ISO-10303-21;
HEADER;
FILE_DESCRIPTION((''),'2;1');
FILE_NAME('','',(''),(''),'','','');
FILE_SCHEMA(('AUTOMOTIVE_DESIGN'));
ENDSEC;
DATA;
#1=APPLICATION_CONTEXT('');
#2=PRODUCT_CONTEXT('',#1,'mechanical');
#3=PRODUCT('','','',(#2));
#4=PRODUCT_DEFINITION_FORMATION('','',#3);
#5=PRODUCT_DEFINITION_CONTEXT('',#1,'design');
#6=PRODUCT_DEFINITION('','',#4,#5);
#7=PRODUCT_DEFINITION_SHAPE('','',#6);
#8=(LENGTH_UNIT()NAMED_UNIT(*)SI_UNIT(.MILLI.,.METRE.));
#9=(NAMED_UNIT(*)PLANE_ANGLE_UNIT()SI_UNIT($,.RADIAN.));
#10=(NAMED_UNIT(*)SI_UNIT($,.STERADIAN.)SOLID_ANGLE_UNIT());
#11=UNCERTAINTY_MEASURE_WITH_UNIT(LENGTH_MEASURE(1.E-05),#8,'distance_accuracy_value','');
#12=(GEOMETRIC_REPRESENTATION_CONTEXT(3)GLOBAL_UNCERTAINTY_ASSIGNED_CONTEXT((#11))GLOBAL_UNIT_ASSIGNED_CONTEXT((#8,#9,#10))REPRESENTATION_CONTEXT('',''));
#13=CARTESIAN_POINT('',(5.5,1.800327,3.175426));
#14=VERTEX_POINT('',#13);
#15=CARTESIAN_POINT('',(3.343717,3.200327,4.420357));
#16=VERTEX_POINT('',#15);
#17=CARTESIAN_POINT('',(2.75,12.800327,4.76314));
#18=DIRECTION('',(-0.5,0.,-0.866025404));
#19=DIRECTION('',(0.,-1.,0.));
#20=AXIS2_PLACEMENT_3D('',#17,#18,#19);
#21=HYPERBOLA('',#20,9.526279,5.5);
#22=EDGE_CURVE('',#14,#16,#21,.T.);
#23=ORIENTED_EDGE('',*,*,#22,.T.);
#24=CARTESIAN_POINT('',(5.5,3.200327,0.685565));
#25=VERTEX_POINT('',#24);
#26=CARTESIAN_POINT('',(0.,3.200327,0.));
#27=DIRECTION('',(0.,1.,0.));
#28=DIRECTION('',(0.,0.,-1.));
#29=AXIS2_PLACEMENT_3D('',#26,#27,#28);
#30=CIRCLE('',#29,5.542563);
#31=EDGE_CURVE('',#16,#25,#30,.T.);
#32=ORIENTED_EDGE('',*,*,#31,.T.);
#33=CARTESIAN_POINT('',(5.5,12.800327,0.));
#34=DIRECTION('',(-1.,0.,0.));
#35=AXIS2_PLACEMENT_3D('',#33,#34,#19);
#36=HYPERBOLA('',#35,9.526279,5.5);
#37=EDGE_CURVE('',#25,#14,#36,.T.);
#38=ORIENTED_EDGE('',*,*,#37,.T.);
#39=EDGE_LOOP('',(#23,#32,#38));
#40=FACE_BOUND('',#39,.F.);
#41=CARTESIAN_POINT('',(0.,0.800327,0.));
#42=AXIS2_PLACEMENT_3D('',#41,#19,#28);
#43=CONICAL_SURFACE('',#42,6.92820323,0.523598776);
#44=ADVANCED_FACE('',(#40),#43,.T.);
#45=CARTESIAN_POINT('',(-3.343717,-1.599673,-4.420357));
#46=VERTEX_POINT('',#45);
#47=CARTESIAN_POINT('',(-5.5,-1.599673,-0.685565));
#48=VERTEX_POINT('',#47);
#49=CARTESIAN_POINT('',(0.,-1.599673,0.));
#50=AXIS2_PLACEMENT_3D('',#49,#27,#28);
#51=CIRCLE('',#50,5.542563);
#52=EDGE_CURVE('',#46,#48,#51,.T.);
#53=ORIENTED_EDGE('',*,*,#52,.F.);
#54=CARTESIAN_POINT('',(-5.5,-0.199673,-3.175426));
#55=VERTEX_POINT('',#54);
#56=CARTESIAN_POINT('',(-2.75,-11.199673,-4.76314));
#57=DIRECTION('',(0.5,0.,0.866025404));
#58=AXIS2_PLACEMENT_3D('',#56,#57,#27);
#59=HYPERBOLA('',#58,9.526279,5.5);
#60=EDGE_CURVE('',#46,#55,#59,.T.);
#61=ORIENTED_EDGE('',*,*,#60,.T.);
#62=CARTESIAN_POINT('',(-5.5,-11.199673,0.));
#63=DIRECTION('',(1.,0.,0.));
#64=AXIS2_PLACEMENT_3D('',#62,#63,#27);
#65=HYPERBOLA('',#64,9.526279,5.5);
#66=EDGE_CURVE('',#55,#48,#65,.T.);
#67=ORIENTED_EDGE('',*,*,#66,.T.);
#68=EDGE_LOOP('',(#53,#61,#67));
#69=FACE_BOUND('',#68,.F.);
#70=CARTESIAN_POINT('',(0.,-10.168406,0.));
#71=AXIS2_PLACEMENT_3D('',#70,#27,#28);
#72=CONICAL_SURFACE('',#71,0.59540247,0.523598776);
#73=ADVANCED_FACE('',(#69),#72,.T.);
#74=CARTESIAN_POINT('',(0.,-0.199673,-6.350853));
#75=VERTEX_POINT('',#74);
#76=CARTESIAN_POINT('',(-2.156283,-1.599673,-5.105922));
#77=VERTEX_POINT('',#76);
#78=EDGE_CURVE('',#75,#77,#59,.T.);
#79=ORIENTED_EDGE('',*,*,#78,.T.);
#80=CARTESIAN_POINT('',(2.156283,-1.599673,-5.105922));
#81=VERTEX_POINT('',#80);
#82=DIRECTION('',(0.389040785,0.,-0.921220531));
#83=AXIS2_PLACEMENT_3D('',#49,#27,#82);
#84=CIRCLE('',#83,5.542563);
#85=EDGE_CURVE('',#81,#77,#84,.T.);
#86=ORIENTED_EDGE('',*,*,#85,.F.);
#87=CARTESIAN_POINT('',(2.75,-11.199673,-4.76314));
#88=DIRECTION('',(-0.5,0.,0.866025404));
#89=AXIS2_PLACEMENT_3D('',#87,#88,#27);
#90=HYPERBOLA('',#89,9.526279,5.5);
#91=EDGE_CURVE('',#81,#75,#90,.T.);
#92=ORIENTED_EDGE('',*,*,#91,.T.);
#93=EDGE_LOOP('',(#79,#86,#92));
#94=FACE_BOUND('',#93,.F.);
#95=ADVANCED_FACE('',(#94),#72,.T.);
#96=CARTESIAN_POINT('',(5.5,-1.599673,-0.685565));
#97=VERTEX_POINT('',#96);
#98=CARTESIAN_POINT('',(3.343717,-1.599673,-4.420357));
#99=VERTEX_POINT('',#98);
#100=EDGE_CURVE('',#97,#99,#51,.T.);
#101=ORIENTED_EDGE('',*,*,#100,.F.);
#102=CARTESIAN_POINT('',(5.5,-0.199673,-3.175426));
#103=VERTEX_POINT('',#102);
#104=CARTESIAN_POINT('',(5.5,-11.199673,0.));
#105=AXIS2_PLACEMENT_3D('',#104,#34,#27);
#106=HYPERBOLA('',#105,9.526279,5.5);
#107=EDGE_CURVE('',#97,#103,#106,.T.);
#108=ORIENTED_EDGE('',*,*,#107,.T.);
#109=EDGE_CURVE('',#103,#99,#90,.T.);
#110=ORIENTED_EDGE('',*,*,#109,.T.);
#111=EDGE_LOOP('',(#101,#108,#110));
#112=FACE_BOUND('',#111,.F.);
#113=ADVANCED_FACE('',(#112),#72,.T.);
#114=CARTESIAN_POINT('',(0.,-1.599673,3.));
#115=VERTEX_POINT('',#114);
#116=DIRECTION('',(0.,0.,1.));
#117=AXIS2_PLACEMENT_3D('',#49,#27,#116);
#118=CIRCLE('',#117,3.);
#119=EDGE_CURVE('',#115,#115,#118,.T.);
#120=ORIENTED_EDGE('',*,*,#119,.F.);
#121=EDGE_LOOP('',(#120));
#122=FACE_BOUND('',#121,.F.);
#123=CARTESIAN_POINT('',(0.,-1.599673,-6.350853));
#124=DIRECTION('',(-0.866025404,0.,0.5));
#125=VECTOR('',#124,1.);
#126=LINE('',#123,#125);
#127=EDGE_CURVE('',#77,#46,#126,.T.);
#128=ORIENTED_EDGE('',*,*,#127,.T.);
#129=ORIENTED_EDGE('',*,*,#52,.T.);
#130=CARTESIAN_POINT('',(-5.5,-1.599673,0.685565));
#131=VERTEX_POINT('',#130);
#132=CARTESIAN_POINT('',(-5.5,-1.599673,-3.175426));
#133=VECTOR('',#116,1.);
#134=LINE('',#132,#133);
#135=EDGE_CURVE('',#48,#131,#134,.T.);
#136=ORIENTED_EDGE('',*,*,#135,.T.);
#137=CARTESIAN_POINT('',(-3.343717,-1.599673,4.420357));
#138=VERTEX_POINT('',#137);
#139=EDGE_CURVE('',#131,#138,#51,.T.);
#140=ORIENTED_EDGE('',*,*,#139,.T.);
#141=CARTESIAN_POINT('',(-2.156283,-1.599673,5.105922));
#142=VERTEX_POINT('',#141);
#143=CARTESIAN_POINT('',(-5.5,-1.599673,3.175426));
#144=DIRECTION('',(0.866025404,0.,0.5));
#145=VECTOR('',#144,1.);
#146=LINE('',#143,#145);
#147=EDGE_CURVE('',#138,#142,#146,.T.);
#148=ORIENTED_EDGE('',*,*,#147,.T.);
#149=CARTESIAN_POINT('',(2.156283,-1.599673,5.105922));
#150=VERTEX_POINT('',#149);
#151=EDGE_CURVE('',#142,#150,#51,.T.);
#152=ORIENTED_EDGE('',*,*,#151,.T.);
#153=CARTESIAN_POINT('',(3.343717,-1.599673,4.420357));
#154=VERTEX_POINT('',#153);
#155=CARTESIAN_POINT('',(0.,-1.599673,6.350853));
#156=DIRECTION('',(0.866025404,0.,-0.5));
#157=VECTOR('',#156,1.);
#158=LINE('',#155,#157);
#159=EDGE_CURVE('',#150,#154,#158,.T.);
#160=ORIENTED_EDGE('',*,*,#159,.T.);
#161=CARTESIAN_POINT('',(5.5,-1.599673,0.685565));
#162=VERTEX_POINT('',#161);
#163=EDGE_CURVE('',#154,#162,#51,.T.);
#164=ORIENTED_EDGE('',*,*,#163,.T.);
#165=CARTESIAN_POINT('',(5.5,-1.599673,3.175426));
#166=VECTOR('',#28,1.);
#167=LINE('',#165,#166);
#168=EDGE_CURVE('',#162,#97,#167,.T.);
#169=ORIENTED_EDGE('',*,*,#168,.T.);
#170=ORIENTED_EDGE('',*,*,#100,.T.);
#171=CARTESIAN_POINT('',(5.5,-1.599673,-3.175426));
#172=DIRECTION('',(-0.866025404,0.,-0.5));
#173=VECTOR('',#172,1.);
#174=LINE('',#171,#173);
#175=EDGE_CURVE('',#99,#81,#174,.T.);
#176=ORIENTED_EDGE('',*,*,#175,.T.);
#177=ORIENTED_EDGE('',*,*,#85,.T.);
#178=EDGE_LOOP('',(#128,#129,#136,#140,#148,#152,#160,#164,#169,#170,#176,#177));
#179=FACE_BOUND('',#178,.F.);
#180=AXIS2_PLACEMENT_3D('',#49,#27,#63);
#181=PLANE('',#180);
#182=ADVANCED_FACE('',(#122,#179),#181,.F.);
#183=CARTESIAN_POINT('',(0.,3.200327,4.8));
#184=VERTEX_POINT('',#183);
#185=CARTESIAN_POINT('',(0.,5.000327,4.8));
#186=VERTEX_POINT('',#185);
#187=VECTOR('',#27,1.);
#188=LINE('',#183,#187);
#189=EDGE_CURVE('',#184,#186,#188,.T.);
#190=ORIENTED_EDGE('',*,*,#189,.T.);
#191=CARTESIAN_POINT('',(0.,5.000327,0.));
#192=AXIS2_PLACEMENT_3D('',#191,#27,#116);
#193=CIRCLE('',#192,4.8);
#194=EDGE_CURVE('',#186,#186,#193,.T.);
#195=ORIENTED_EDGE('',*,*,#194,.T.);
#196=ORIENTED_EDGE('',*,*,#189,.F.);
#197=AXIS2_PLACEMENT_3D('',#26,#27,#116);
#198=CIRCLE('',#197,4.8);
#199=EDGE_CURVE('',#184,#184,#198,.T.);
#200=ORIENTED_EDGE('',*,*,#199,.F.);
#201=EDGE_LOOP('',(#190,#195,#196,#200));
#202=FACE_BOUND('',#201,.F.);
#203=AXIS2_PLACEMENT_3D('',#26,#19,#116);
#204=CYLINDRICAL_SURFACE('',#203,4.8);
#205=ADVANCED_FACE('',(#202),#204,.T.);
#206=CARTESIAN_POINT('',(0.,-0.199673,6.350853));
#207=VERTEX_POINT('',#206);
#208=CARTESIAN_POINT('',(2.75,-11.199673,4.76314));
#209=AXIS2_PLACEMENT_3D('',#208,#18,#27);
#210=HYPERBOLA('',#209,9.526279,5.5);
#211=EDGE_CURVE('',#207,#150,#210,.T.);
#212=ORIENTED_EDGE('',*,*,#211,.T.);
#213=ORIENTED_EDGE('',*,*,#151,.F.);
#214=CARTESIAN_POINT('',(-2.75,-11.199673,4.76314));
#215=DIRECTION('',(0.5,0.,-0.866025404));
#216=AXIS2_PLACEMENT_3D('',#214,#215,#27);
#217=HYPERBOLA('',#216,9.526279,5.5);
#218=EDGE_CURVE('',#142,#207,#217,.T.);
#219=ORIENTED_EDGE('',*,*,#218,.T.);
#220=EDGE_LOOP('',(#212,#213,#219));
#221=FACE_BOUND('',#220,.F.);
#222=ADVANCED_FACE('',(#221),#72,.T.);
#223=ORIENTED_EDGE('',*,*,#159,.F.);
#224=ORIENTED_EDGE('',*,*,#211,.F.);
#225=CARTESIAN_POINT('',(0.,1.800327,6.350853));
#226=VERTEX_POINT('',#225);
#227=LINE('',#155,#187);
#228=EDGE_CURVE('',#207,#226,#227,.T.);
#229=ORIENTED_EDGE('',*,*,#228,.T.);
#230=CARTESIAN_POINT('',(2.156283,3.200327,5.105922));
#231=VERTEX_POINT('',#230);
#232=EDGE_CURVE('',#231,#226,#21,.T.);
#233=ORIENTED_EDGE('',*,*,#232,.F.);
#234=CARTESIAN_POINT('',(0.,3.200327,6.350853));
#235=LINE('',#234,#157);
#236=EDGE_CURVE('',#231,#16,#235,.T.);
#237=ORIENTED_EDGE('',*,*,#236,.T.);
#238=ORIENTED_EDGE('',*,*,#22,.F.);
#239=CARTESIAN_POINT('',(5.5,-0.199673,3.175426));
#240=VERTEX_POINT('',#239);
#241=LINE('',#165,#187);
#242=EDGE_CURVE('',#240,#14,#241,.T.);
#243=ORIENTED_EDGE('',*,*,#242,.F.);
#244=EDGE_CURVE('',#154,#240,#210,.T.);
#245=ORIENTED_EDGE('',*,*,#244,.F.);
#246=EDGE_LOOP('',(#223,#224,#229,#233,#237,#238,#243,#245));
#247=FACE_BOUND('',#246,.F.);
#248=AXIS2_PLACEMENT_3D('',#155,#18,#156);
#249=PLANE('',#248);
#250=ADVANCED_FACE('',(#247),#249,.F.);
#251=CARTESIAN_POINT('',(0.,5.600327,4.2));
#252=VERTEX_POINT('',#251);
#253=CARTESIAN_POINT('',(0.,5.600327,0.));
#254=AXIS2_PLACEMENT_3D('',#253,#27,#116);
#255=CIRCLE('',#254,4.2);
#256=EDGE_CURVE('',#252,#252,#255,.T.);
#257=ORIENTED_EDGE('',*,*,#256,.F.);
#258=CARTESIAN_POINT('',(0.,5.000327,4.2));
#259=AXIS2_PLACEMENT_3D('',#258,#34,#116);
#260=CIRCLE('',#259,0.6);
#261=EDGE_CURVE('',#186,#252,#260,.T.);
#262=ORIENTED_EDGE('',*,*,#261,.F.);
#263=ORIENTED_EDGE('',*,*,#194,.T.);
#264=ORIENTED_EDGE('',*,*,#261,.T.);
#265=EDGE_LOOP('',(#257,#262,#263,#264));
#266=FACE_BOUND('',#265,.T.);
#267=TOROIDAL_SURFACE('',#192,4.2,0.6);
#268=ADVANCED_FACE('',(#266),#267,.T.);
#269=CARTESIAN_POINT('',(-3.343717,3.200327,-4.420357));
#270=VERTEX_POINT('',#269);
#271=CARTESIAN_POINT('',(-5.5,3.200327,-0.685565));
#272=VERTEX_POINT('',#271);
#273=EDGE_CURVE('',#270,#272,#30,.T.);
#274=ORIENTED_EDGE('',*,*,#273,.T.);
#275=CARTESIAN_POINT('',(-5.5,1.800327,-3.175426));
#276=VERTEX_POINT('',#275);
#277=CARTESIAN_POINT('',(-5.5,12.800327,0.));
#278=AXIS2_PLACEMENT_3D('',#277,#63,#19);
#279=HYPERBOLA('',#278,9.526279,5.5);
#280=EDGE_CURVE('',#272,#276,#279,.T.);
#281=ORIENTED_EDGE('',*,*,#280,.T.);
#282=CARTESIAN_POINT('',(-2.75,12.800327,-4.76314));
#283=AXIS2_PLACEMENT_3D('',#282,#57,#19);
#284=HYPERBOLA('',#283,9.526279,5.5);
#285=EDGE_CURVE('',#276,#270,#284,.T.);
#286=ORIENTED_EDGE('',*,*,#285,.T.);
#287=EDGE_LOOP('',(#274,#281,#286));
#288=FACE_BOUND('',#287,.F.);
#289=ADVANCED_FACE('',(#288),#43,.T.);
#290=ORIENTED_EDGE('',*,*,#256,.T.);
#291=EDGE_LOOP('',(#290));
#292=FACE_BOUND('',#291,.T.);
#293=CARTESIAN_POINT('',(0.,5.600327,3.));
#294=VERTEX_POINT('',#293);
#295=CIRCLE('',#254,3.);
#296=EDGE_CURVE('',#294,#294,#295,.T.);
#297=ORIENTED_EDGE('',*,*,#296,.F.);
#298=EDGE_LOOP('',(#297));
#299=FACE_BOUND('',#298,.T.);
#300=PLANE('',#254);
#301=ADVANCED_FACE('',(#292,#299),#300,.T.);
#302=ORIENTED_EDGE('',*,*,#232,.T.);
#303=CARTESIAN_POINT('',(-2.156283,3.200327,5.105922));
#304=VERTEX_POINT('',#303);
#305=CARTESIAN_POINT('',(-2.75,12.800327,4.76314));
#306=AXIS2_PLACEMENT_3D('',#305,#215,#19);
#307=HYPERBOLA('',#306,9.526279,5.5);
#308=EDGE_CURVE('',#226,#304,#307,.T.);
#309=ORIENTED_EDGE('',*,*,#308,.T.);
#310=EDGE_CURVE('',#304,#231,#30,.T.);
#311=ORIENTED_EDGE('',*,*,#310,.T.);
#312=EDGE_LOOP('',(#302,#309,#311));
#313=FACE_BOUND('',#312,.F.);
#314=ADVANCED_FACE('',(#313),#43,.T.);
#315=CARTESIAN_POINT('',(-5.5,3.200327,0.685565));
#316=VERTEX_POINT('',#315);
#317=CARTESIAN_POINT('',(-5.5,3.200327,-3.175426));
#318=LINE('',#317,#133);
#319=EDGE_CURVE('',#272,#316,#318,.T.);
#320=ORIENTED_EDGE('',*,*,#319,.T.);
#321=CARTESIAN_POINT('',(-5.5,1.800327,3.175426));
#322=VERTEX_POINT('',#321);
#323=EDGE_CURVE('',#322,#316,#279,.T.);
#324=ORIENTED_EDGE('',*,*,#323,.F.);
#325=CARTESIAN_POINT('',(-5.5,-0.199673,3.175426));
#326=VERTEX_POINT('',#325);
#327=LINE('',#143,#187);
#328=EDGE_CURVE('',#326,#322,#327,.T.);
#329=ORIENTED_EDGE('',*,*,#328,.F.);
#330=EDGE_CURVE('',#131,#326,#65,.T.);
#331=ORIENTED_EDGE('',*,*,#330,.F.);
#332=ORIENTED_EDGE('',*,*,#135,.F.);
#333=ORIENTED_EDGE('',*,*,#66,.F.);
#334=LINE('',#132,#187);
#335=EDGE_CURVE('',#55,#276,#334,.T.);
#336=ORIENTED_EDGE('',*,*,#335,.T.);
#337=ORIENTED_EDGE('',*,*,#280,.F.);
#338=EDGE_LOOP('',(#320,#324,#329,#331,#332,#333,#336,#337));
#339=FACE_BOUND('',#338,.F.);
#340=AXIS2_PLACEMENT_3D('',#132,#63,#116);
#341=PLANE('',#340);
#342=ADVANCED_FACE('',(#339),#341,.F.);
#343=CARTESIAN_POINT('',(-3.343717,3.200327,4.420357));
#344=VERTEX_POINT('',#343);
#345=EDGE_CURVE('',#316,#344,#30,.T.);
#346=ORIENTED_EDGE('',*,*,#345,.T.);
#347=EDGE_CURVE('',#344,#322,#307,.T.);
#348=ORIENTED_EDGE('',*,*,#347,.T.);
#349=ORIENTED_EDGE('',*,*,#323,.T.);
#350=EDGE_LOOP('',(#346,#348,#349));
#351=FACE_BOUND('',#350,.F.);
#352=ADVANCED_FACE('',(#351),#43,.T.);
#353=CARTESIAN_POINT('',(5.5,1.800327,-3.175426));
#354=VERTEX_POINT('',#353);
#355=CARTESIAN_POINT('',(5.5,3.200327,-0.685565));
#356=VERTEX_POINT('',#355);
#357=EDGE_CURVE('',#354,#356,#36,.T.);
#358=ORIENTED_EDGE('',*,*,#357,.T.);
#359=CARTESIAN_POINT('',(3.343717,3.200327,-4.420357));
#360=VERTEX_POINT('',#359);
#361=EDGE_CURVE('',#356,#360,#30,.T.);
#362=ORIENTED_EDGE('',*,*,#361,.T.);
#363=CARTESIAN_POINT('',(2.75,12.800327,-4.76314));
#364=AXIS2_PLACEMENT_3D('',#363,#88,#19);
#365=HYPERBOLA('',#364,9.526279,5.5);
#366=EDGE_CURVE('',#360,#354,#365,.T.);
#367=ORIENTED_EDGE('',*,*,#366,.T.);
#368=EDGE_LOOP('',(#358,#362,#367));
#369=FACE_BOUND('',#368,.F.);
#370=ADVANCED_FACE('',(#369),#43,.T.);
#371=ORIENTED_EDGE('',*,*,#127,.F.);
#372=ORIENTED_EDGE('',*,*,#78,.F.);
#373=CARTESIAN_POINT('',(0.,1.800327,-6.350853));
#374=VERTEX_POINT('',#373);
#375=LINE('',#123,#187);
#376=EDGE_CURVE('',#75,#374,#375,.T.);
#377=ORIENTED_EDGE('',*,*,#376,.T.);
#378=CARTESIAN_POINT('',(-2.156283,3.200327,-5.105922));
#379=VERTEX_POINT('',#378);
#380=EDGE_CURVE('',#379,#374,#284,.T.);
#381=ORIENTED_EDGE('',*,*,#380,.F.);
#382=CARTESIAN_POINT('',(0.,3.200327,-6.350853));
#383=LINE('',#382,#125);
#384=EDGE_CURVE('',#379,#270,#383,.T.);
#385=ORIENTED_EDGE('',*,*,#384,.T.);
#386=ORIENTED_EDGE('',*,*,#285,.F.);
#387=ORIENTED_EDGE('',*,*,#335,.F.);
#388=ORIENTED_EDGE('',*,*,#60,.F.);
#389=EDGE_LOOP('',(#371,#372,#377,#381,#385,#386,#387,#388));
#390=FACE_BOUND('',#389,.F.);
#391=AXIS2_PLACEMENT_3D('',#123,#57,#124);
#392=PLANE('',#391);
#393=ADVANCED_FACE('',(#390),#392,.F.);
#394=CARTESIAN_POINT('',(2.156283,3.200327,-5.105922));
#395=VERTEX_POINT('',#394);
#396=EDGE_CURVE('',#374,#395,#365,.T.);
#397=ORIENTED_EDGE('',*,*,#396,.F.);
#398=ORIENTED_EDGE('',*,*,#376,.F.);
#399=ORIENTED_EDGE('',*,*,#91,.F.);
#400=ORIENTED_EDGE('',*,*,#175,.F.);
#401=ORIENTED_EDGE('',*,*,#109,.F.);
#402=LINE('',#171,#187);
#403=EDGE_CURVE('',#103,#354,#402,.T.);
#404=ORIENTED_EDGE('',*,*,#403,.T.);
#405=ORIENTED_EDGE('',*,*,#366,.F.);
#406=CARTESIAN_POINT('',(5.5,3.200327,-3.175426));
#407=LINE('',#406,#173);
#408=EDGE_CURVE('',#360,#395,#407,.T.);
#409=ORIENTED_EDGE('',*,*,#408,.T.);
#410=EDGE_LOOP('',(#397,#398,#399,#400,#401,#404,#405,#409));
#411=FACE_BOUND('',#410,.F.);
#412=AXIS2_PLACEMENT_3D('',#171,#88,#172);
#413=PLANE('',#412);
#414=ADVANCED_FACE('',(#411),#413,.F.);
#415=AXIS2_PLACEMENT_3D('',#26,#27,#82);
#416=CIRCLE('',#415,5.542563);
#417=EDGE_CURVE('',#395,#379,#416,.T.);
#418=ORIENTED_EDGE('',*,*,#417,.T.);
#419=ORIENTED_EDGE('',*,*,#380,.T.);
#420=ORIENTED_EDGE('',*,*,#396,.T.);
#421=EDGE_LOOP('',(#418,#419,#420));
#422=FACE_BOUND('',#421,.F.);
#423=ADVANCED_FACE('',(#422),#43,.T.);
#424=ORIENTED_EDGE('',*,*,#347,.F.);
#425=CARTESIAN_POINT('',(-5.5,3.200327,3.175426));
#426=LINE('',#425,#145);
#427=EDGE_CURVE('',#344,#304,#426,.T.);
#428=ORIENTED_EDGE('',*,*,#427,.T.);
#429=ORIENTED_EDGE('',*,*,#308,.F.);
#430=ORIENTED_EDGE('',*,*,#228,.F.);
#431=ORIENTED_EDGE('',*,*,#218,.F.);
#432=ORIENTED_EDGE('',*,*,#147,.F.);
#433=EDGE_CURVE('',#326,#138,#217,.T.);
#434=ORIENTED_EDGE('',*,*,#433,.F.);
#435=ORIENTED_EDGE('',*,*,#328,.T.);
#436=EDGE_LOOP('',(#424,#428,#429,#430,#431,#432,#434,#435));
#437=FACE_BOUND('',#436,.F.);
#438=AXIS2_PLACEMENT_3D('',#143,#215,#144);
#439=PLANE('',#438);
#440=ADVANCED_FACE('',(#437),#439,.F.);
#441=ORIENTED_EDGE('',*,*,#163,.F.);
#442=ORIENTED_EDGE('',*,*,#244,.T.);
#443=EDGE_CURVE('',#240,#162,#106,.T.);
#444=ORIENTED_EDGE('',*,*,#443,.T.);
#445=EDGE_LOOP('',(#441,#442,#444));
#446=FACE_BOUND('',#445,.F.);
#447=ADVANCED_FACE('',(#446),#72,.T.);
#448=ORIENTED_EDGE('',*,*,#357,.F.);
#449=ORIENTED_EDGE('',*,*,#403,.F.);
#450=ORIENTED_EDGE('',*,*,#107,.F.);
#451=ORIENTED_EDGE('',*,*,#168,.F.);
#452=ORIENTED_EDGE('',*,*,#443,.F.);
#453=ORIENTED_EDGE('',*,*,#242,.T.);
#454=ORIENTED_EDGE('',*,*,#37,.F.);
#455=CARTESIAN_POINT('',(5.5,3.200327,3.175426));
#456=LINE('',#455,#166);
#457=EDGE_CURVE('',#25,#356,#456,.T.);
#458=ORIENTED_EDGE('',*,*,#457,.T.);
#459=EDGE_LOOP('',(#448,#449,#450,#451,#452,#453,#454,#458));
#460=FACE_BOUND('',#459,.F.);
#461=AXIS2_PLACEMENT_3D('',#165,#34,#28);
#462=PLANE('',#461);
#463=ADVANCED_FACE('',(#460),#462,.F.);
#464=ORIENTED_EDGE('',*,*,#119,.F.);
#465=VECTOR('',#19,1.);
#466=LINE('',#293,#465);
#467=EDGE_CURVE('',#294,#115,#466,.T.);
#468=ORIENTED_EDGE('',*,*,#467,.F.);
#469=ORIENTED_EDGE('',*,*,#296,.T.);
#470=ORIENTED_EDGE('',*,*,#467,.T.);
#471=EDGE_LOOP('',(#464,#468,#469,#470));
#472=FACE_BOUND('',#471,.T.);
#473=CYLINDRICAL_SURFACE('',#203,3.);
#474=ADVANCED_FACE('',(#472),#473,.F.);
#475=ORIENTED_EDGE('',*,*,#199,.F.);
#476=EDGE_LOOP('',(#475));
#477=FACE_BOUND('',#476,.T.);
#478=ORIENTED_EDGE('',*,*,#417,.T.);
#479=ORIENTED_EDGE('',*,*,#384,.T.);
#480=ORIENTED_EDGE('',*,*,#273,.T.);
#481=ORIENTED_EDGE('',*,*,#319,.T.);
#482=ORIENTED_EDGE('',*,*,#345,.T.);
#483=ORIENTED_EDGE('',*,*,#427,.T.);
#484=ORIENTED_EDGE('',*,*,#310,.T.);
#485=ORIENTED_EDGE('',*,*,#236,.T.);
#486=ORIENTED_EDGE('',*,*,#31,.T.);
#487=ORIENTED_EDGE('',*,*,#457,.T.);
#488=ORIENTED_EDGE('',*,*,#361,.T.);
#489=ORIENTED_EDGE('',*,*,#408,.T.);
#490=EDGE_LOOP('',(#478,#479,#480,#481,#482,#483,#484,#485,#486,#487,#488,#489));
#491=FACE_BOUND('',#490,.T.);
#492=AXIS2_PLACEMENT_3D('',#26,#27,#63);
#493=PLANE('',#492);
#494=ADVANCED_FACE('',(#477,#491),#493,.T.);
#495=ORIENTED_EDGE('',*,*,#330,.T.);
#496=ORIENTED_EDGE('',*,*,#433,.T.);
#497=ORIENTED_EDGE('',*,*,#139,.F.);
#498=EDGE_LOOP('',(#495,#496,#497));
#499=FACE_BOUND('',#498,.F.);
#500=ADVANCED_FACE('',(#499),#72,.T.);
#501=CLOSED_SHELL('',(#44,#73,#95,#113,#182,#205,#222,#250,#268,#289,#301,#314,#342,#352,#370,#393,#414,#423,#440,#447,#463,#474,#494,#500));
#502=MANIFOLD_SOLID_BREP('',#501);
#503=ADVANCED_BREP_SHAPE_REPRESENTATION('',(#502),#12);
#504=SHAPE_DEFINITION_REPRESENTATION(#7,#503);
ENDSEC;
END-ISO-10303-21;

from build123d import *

# Parameters (mm, degrees)
SKETCH_1_R      = 1.5
EXTRUDE_1_DEPTH = 2.4
SKETCH_4_R      = 2.4
SKETCH_4_R_2    = 1.5
EXTRUDE_3_DEPTH = 1.2
FILLET_5_R      = 0.3
SCALE_1_SCALE   = 2


with BuildPart() as part:
    # 草图1 → 凸台-拉伸1 (new body)
    with BuildSketch(Plane(origin=(0, 0, 0), x_dir=(1, 0, 0), z_dir=(0, 1, 0))):
        Polygon((0, 3.175426481), (-2.75, 1.58771324), (-2.75, -1.58771324), (0, -3.175426481), (2.75, -1.58771324), (2.75, 1.58771324), align=None)
        with Locations(Location((0, 0, 0), (0, 0, 270))):
            Circle(SKETCH_1_R, mode=Mode.SUBTRACT)
    extrude(amount=EXTRUDE_1_DEPTH)

    # 草图3 → 切除-旋转7 (revolve, cut)
    with BuildSketch(Plane(origin=(0, 0, 0), x_dir=(0, 0, -1), z_dir=(1, 0, 0))):
        Polygon((0.384303775, 7.2), (4.083483307, 7.2), (4.083483307, -4.8), (0.297701235, -4.8), (0.297701235, -4.284366336), (3.464101615, 1.2), (0.384303775, 6.534366336), align=None)
    revolve(axis=Axis((0, 2.4, 0), (0, -1, 0)), mode=Mode.SUBTRACT)

    # 草图4 → 凸台-拉伸3 (add)
    with BuildSketch(Plane(origin=(0, 2.4, 0), x_dir=(1, 0, 0), z_dir=(0, 1, 0))):
        with Locations(Location((0, 0, 0), (0, 0, 270))):
            Circle(SKETCH_4_R)
        with Locations(Location((0, 0, 0), (0, 0, 270))):
            Circle(SKETCH_4_R_2, mode=Mode.SUBTRACT)
    extrude(amount=EXTRUDE_3_DEPTH)

    # 圆角5
    fillet_5_edges = [part.edges().sort_by_distance(p)[0] for p in [
        (0, 3.6, -2.4),
    ]]
    fillet(fillet_5_edges, radius=FILLET_5_R)


with BuildPart() as part_1:
    # 缩放比例1: scaled about (0, 1.599672866, 1e-09)
    add(part.part.scale(SCALE_1_SCALE).moved(Location((0, -1.599672866, -1e-09))))


solid = part_1.part
